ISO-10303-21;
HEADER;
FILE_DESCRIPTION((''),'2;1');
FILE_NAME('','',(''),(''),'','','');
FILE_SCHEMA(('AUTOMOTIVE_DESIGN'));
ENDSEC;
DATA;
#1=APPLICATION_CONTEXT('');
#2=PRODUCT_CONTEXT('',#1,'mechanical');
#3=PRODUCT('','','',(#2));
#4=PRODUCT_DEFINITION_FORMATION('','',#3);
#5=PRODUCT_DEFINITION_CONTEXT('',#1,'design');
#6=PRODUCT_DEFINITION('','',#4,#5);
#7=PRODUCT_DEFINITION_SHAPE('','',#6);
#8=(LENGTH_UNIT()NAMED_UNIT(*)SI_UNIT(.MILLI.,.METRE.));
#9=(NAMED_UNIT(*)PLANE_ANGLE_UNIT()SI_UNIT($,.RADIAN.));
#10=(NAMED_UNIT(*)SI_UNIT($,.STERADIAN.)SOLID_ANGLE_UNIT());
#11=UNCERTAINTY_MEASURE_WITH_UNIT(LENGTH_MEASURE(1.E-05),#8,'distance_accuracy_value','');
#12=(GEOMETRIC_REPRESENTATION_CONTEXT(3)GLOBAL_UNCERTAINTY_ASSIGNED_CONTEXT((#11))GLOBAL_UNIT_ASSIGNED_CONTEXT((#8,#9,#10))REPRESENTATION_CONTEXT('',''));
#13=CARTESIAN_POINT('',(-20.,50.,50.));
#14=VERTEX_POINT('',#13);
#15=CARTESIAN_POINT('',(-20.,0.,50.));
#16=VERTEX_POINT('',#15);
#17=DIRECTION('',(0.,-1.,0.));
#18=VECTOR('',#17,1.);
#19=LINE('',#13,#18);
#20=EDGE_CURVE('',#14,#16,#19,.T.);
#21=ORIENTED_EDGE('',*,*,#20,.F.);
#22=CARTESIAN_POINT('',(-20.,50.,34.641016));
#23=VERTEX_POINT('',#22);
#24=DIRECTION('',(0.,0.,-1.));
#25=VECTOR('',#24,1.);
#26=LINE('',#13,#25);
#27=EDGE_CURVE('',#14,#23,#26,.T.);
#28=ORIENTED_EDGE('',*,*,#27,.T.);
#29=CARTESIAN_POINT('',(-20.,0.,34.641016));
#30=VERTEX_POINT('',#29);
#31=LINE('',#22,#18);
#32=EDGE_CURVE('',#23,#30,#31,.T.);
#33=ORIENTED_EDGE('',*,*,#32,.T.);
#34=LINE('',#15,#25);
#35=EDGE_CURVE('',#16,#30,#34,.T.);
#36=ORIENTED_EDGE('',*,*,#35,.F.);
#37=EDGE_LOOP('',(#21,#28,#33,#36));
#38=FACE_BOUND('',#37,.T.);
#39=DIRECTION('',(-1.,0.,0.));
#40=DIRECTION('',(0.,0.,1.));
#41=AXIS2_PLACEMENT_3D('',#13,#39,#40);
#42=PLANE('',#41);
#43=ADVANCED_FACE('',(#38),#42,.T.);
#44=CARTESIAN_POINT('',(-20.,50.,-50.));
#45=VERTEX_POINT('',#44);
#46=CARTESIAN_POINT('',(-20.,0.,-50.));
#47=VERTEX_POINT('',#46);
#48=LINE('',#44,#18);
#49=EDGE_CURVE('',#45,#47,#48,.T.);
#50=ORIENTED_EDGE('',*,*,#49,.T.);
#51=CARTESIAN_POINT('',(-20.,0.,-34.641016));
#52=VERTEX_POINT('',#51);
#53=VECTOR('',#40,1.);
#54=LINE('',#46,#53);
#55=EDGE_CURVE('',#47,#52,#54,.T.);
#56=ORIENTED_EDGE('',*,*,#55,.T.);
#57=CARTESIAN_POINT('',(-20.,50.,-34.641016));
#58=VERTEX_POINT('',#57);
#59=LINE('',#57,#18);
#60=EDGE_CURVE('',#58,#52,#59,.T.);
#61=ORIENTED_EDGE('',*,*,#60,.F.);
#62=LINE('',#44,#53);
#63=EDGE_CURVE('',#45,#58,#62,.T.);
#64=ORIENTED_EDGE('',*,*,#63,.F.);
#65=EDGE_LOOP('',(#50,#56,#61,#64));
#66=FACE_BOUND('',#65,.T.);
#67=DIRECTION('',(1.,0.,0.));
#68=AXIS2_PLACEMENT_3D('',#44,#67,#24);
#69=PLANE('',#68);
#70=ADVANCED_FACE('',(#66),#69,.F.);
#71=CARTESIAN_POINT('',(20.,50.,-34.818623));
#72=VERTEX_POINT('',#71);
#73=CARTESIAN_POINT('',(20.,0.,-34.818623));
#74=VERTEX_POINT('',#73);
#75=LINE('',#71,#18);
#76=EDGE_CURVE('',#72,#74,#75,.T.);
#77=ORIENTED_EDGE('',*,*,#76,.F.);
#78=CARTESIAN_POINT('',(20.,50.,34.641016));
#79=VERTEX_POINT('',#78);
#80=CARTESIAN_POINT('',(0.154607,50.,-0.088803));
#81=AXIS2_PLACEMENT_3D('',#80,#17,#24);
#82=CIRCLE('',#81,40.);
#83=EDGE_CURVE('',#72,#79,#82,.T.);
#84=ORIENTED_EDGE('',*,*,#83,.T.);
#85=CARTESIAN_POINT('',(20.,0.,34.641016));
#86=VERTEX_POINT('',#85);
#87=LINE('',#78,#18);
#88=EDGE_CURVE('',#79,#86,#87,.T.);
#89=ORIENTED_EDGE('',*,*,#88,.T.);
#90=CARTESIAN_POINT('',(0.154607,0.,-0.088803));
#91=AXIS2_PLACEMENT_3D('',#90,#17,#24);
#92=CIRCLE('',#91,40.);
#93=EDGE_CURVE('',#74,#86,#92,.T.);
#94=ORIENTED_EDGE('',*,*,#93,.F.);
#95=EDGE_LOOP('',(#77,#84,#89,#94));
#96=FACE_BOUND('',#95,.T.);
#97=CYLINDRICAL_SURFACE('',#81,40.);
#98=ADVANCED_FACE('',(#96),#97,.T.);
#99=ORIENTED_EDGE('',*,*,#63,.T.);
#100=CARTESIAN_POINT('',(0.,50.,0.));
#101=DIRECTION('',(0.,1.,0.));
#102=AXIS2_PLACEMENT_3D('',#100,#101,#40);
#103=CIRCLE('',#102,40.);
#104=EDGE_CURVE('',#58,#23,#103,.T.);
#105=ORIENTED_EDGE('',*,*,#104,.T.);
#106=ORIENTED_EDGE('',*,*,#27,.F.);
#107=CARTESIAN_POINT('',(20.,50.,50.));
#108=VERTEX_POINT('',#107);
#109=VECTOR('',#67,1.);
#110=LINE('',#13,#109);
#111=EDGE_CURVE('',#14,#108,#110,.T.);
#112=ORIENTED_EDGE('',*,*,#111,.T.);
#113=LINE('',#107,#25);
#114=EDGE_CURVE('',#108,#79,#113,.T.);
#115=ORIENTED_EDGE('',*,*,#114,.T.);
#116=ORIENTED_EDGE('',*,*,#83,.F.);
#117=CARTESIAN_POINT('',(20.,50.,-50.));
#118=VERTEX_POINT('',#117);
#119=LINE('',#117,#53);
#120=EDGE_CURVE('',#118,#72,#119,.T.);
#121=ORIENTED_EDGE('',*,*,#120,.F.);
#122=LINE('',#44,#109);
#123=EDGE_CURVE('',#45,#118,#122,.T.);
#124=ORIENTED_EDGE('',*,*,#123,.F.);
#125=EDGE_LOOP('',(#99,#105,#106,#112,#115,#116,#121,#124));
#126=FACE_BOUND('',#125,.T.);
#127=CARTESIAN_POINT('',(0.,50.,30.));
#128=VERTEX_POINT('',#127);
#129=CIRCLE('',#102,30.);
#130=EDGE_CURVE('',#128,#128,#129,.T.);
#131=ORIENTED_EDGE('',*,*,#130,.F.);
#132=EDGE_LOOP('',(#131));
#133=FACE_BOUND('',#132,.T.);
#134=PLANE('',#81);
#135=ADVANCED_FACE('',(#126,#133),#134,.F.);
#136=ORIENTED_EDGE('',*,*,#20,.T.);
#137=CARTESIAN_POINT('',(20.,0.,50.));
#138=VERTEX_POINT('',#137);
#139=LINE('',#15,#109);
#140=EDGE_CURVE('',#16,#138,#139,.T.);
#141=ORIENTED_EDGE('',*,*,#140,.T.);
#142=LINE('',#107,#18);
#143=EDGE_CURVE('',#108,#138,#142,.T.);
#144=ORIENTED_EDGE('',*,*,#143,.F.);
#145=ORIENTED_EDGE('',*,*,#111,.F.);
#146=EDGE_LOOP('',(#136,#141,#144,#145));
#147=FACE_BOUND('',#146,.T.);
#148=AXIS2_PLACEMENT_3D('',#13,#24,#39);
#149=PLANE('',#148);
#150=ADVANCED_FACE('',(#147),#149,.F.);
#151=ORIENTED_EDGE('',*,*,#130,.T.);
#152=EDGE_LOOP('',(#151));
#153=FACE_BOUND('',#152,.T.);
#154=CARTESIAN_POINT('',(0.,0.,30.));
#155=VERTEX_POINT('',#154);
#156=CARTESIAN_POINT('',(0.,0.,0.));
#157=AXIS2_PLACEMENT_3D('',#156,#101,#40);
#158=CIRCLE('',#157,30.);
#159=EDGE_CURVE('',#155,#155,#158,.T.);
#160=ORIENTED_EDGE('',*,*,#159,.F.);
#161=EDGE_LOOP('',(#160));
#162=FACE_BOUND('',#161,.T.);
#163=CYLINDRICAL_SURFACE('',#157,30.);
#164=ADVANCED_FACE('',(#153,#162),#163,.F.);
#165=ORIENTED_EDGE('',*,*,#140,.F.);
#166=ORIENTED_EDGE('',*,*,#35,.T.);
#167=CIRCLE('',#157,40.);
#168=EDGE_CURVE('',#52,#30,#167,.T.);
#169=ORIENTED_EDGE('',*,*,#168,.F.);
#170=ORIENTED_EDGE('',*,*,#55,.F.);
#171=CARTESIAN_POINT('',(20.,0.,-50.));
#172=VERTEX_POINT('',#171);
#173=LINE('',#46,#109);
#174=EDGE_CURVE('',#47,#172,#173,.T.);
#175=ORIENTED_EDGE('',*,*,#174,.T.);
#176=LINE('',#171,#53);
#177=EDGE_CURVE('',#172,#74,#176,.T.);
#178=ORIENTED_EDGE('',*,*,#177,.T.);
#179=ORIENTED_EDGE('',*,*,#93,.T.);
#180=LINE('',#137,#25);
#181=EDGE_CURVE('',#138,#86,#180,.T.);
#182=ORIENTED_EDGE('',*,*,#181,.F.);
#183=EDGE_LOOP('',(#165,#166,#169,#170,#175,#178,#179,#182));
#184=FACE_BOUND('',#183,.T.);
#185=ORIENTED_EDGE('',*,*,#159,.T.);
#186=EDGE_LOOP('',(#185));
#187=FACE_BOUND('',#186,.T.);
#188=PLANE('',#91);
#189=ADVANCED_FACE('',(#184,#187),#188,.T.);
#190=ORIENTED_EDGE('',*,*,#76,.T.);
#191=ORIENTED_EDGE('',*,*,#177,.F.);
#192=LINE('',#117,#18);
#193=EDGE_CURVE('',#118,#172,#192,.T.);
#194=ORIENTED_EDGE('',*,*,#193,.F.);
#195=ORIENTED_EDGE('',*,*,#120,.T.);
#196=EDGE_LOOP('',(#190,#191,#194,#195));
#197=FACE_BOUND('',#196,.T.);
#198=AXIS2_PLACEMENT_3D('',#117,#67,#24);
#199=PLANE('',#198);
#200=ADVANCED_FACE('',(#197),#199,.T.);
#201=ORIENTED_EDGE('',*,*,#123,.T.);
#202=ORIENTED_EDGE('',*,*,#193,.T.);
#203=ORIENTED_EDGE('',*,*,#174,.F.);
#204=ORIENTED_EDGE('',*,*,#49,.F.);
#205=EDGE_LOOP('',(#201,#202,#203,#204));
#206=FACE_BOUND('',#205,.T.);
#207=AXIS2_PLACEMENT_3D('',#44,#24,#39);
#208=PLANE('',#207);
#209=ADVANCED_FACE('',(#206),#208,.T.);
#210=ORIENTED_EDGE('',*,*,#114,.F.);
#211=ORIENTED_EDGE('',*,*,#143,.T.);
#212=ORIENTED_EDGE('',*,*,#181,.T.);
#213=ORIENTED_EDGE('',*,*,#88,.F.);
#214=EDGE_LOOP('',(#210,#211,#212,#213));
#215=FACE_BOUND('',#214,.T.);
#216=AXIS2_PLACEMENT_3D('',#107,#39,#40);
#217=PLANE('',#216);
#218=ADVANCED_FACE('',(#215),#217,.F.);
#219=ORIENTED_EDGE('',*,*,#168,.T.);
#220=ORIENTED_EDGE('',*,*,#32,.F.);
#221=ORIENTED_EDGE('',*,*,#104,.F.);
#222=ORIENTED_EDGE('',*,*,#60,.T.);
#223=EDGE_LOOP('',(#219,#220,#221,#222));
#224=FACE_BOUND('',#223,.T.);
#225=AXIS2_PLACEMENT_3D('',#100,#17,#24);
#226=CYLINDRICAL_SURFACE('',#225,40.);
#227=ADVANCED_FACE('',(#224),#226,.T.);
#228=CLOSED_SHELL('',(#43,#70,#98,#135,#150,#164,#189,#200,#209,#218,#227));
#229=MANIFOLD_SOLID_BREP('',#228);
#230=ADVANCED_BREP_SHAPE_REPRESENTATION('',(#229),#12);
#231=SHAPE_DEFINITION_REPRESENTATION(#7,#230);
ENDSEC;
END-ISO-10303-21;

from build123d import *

# Parameters (mm, degrees)
BOSS_EXTRUDE1_DEPTH = 50
SKETCH2_R           = 30
CUT_EXTRUDE1_DEPTH  = 50


with BuildPart() as part:
    # Sketch1 → Boss-Extrude1 (new body)
    with BuildSketch(Plane(origin=(0, 0, 0), x_dir=(1, 0, 0), z_dir=(0, 1, 0))):
        with BuildLine():
            Line((-20, 50), (20, 50))
            Line((20, 50), (20, 34.818623064))
            ThreePointArc((20, 34.818623064), (40.154606831, 0.088803456), (20, -34.641016151))
            Line((20, -34.641016151), (20, -50))
            Line((20, -50), (-20, -50))
            Line((-20, -50), (-20, -34.641016151))
            ThreePointArc((-20, -34.641016151), (-40, 0), (-20, 34.641016151))
            Line((-20, 34.641016151), (-20, 50))
        make_face()
    extrude(amount=BOSS_EXTRUDE1_DEPTH)

    # Sketch2 → Cut-Extrude1 (cut)
    with BuildSketch(Plane(origin=(0, 50, 0), x_dir=(1, 0, 0), z_dir=(0, 1, 0))):
        Circle(SKETCH2_R)
    extrude(amount=-CUT_EXTRUDE1_DEPTH, mode=Mode.SUBTRACT)


solid = part.part
